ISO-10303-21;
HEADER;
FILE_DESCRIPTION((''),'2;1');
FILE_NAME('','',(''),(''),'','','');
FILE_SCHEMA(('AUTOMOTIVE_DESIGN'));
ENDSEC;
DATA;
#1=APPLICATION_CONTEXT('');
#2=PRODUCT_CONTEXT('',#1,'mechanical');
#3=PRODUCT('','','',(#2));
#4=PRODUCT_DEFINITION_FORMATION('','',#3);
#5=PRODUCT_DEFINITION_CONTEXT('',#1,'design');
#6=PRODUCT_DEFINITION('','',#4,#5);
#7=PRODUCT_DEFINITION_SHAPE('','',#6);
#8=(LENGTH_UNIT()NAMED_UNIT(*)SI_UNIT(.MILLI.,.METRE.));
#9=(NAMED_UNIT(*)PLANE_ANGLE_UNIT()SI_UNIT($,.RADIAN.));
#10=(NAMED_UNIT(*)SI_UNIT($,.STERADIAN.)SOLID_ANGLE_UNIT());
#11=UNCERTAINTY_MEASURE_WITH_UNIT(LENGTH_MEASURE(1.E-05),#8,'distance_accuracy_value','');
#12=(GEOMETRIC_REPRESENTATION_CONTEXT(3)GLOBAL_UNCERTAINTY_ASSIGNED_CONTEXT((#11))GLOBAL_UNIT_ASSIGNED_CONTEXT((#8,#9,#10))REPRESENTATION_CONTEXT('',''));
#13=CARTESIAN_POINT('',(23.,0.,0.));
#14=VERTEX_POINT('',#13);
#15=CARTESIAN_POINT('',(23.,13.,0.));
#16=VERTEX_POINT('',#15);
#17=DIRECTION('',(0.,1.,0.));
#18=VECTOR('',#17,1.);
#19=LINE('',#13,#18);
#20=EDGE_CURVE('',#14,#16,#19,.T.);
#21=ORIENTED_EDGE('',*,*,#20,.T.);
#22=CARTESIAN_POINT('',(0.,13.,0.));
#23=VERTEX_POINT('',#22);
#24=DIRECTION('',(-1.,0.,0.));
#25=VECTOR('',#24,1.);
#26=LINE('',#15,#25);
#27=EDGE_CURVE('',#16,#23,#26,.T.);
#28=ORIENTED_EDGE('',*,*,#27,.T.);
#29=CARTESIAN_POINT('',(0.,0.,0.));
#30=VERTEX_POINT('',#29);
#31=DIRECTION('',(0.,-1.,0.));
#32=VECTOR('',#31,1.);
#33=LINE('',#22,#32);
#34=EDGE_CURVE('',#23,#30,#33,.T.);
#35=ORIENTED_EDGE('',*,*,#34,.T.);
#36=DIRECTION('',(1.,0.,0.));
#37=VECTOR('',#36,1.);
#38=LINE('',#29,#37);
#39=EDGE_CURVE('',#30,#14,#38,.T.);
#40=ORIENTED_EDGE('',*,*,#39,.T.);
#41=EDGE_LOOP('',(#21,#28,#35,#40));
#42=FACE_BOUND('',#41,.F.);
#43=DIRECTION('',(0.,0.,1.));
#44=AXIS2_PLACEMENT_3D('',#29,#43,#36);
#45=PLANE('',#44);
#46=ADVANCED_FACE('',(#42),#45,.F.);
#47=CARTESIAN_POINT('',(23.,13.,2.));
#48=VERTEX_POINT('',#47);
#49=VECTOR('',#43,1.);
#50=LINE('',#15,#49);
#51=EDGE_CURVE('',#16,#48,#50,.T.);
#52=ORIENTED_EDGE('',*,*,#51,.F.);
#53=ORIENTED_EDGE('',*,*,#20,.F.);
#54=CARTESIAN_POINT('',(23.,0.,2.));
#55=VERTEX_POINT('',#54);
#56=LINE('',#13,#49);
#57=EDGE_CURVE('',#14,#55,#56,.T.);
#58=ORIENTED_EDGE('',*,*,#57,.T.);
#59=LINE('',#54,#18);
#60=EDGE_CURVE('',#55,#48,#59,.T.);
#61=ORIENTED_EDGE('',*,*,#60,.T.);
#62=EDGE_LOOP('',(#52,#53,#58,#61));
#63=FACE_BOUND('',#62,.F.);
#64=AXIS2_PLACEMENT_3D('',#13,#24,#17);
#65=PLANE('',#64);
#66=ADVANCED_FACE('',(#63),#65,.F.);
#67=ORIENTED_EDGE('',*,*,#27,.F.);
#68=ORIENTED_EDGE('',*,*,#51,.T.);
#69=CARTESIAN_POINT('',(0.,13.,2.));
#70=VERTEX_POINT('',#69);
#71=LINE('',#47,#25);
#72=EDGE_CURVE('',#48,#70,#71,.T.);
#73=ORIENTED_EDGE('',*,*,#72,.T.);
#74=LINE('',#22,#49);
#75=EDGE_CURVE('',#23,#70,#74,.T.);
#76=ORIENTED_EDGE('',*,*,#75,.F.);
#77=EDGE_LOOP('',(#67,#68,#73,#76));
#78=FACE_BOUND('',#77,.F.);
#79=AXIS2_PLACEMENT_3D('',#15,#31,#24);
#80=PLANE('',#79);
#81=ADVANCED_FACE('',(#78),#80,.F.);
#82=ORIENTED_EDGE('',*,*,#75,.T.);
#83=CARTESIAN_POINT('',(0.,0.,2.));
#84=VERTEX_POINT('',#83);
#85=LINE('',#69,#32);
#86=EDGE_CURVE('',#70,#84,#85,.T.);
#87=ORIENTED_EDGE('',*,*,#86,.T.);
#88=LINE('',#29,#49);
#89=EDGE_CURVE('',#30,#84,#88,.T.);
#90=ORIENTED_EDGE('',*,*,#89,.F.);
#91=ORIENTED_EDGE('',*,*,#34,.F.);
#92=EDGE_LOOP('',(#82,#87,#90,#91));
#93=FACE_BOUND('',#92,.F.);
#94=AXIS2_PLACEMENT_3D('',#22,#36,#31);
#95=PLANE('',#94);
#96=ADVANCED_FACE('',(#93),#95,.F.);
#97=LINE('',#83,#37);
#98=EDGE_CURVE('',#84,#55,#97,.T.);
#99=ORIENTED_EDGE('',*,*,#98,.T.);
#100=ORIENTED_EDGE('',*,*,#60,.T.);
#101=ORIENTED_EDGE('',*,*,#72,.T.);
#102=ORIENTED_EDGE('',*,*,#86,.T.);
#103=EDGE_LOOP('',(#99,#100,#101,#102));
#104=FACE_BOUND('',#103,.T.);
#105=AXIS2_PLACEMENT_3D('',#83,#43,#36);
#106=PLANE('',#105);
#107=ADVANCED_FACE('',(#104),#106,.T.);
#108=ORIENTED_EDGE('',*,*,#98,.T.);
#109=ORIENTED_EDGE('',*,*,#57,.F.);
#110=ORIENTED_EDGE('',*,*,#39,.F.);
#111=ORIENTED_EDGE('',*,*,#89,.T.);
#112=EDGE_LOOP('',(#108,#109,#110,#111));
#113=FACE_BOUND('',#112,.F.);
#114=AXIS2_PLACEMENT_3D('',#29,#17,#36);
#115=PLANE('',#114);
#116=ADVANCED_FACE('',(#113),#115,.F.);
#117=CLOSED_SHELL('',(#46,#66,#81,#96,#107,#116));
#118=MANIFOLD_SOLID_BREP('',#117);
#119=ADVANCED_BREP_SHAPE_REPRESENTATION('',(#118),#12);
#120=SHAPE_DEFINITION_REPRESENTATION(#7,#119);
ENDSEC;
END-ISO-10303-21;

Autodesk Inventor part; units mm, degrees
ref_plane "YZ Plane" through (0, 0, 0) normal (1, 0, 0) x (0, 1, 0)
ref_plane "XZ Plane" through (0, 0, 0) normal (0, 1, 0) x (-1, 0, 0)
ref_plane "XY Plane" through (0, 0, 0) normal (0, 0, 1) x (1, 0, 0)
sketch "Эскиз1" plane through (0, 0, 0) normal (0, 0, 1) x (1, 0, 0)
  line L0 (0, 0) -> (23, 0)
  line L1 (23, 0) -> (23, 13)
  line L2 (23, 13) -> (0, 13)
  line L3 (0, 13) -> (0, 0)
  dimension "d0" = 23
  dimension "d1" = 13
extrude "Выдавливание1" add sketch "Эскиз1" along normal blind 2
properties part number "Окно"
